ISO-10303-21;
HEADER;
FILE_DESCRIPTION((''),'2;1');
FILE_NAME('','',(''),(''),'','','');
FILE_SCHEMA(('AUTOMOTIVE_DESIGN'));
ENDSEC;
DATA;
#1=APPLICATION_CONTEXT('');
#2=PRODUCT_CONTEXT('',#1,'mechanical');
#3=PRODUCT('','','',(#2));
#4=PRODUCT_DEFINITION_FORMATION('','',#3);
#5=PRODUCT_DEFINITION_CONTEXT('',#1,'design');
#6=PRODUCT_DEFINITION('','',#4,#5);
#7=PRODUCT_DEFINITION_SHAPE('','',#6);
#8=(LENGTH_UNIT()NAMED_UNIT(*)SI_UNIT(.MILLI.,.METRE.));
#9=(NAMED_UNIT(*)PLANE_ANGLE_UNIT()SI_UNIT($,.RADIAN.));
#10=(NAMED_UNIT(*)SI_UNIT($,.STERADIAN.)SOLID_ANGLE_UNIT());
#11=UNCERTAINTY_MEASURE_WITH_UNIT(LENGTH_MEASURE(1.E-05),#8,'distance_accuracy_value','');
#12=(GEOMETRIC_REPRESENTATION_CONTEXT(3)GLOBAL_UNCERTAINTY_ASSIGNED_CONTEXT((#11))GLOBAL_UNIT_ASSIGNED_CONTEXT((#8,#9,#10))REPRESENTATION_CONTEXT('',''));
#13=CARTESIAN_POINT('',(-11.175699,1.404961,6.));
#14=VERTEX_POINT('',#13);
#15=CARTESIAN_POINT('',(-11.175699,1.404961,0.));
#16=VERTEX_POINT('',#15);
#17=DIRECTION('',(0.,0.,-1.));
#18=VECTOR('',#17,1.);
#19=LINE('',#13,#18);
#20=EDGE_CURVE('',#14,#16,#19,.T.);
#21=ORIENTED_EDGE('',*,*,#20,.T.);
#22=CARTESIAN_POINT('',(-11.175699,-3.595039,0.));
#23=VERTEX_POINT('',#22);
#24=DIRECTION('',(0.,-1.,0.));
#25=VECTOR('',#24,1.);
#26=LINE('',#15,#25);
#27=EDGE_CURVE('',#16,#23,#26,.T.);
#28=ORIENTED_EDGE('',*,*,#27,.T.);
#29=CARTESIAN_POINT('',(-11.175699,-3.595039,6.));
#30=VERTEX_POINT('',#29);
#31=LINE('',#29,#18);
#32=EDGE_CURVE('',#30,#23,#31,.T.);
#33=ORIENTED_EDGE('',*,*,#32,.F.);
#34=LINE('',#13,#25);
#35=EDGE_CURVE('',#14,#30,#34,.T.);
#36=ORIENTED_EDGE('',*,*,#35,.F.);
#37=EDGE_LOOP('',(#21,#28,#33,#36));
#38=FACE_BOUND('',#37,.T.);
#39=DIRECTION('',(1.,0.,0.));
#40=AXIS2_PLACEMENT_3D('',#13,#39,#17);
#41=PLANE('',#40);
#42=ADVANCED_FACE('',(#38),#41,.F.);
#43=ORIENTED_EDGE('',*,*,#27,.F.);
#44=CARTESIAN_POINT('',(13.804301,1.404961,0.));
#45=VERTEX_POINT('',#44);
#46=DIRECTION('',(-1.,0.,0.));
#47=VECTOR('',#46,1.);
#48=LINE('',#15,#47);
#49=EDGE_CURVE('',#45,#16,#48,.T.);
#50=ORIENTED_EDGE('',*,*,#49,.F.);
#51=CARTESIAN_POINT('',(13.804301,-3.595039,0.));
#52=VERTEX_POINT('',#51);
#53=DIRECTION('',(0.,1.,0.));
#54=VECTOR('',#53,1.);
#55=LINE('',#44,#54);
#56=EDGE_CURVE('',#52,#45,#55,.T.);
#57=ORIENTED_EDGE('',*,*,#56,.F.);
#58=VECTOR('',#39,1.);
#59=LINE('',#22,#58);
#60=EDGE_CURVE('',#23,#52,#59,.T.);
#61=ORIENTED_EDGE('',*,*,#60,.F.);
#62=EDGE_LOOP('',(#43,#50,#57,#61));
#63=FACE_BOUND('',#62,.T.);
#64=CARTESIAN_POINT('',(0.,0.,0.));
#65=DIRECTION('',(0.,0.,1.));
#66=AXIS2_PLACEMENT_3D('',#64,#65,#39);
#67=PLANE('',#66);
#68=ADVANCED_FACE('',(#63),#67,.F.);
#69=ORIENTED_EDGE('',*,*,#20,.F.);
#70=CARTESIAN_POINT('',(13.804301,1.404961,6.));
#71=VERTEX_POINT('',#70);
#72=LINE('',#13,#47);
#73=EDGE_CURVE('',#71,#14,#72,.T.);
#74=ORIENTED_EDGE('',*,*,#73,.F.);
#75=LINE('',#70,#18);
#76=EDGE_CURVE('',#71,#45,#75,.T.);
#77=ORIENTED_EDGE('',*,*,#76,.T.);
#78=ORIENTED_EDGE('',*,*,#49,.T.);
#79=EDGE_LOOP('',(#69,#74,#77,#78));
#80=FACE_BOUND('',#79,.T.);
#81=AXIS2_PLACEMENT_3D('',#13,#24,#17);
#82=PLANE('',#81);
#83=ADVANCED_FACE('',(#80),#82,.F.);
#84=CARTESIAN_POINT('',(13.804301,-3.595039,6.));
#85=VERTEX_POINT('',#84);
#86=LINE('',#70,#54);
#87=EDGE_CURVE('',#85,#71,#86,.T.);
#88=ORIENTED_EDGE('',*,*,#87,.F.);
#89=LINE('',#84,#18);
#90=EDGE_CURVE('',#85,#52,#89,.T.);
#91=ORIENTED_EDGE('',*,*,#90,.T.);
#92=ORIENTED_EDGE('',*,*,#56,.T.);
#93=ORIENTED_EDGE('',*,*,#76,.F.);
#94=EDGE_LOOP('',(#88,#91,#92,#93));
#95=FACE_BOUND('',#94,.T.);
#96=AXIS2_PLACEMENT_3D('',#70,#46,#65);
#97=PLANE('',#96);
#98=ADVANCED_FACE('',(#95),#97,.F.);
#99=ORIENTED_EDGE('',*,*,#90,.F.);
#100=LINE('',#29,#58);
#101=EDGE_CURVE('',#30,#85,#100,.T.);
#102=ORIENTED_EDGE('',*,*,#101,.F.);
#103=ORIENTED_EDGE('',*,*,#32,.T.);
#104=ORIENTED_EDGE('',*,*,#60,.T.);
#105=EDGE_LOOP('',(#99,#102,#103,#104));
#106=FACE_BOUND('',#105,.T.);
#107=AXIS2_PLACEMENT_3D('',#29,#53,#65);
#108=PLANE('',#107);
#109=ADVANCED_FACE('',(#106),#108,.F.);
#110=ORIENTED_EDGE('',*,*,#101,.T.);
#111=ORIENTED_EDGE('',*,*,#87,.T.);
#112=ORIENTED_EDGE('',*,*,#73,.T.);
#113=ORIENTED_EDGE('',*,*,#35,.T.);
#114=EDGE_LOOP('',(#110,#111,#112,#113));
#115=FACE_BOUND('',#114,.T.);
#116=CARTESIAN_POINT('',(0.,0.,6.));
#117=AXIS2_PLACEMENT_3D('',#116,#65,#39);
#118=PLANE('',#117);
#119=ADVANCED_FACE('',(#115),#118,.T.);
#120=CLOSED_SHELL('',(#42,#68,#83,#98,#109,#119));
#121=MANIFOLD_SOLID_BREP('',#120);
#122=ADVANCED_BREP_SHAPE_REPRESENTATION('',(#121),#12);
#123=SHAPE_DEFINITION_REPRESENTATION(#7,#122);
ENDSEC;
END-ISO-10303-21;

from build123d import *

# Parameters (mm, degrees)
ESQUISSE1_W        = 24.98
ESQUISSE1_H        = 5
BOSS_EXTRU_1_DEPTH = 6


with BuildPart() as part:
    # Esquisse1 → Boss.-Extru.1 (new body)
    with BuildSketch(Plane.XY):
        with Locations((1.314301239, -1.09503876)):
            Rectangle(ESQUISSE1_W, ESQUISSE1_H)
    extrude(amount=BOSS_EXTRU_1_DEPTH)


solid = part.part
